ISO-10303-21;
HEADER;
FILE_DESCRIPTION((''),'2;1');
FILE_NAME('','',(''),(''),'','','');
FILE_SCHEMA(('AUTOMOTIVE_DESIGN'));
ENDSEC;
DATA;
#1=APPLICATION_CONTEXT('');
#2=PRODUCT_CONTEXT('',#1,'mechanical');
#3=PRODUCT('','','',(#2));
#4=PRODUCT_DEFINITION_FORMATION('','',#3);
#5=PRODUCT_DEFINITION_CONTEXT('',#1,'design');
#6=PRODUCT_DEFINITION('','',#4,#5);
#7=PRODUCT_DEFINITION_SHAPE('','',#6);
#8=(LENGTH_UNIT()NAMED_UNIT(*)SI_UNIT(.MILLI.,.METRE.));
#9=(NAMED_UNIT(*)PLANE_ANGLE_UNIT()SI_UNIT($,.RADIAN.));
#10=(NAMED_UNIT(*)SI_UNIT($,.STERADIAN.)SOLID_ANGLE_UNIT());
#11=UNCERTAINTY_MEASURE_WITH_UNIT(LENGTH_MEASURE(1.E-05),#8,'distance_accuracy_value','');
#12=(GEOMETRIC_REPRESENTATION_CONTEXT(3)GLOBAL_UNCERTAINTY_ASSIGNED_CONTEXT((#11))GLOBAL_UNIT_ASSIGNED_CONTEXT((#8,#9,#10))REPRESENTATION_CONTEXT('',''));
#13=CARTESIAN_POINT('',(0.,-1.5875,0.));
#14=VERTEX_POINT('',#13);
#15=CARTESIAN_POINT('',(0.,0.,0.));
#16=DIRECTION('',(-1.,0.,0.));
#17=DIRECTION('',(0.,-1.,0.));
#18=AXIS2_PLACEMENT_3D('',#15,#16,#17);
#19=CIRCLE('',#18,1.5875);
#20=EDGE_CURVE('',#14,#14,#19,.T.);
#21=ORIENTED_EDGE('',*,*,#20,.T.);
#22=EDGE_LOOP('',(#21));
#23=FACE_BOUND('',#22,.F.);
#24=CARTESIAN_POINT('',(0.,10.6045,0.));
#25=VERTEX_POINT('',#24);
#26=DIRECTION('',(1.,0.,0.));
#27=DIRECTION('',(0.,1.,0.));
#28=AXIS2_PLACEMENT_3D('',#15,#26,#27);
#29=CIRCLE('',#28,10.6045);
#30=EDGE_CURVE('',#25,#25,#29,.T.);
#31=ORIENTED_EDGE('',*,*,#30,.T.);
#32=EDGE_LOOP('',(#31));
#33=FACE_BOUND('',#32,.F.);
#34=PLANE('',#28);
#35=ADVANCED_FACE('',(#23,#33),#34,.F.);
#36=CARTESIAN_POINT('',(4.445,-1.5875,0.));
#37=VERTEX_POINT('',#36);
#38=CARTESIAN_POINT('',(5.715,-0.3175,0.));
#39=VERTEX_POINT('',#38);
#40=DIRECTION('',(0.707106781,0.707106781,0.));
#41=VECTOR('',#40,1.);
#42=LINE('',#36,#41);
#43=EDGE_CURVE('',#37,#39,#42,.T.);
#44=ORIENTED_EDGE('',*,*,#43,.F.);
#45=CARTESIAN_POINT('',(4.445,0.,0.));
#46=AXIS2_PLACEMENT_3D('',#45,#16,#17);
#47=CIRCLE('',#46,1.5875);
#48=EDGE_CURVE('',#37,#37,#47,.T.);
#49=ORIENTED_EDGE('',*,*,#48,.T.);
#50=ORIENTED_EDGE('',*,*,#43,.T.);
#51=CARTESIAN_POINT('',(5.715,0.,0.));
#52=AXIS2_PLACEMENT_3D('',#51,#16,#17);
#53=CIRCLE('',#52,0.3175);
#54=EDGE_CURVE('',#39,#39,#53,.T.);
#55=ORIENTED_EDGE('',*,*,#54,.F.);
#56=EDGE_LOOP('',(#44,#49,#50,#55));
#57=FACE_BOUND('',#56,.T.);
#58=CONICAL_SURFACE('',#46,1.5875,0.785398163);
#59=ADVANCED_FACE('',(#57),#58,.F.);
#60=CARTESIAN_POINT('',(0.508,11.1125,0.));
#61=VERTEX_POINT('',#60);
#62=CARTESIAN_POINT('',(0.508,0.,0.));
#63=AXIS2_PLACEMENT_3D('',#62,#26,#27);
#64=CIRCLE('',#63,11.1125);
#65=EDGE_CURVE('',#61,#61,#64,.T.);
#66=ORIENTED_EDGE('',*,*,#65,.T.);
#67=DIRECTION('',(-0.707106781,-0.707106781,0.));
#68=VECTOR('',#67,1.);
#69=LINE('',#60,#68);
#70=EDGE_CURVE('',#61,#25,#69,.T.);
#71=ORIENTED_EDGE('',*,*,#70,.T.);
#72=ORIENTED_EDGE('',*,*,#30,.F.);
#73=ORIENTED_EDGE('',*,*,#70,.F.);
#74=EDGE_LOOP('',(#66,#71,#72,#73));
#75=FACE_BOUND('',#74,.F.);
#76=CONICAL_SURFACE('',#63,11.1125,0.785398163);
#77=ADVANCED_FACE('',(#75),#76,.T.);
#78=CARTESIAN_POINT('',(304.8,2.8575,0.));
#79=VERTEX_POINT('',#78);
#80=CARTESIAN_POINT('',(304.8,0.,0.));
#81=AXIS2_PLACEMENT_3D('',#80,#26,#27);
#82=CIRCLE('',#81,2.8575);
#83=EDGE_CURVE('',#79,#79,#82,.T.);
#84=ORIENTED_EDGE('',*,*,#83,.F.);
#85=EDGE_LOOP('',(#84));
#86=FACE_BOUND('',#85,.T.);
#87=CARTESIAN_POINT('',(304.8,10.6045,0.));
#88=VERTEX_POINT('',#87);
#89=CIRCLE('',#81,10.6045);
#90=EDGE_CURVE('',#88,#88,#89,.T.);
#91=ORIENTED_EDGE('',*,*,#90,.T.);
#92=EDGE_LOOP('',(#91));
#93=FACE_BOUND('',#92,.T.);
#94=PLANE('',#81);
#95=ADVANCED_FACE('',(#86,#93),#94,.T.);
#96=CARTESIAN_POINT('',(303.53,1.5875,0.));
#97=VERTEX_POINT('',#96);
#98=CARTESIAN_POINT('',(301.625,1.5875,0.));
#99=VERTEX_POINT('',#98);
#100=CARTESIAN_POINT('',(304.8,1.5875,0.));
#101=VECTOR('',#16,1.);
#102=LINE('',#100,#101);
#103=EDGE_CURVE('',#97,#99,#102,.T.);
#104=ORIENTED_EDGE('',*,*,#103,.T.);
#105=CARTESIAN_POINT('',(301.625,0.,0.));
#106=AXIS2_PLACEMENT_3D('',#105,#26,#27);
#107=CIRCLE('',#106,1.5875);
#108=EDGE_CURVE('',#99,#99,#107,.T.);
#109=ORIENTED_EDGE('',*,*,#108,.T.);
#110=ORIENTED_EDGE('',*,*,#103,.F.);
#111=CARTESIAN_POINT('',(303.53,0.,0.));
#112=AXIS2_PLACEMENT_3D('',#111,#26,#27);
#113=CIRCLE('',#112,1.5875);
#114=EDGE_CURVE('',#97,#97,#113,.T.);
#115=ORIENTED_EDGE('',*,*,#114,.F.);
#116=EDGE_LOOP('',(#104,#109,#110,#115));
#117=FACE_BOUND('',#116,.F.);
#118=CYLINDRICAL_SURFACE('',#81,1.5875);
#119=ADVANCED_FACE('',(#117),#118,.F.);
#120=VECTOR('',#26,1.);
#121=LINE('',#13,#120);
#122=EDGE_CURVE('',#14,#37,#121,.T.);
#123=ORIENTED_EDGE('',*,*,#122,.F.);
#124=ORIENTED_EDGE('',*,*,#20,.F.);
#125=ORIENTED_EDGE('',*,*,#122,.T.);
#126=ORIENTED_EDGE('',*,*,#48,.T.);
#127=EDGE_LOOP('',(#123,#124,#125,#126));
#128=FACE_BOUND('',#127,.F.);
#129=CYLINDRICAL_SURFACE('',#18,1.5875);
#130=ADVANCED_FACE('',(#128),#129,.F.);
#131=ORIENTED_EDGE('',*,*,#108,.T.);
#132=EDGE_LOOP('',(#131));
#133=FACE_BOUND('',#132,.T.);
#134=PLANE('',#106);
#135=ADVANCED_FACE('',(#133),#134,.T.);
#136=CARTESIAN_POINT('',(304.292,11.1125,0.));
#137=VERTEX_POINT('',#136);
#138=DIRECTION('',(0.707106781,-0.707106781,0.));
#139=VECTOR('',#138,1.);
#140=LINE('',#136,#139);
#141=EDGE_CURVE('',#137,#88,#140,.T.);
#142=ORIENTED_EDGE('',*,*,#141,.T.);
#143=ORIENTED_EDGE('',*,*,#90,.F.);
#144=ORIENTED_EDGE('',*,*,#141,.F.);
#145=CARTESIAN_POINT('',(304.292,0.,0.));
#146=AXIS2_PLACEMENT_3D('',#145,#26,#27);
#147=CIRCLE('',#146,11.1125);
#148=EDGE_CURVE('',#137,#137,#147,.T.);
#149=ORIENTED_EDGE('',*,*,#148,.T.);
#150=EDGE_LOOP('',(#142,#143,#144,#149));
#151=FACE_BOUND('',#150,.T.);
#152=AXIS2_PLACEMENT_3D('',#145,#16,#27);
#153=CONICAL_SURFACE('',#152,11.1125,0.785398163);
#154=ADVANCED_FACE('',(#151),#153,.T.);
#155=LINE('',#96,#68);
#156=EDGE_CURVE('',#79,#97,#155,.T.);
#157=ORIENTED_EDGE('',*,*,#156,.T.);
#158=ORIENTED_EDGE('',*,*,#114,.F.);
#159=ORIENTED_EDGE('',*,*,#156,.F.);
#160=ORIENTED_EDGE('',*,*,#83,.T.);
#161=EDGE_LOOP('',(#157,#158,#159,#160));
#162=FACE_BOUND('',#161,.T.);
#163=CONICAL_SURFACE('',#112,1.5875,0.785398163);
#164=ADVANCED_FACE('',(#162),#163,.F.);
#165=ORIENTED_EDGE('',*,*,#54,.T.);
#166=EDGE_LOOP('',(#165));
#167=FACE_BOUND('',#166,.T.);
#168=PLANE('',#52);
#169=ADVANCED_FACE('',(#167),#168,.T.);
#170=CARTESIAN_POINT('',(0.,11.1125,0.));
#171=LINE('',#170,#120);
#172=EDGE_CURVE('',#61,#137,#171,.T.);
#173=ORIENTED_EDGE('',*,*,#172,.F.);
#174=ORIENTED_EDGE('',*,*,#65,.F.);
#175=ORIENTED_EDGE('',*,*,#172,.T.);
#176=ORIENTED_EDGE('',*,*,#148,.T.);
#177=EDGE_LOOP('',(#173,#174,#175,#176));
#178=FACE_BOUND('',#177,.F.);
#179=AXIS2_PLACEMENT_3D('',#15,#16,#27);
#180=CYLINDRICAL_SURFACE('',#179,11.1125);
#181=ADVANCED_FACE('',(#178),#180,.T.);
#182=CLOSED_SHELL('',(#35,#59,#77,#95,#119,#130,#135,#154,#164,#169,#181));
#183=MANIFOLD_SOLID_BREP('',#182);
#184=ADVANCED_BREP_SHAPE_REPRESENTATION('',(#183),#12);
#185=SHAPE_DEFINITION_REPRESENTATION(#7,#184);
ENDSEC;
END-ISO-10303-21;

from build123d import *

# Parameters (mm, degrees)
F0_R     = 11.1125
F1_DEPTH = 304.8
F2_R     = 1.5875
F3_DEPTH = 3.175
F4_R     = 1.5875
F5_DEPTH = 5.715
F6_SIZE  = 0.508
F7_SIZE  = 1.27


with BuildPart() as f1:
    # F0 (on Right) → F1 (new body)
    with BuildSketch(Plane.YZ):
        Circle(F0_R)
    extrude(amount=F1_DEPTH)

    # F2 (on face) → F3 (cut)
    with BuildSketch(Plane.YZ.offset(304.8)):
        Circle(F2_R)
    extrude(amount=-F3_DEPTH, mode=Mode.SUBTRACT)

    # F4 (on face) → F5 (cut)
    with BuildSketch(Plane(origin=(0, 0, 0), x_dir=(0, -1, 0), z_dir=(-1, 0, 0))):
        Circle(F4_R)
    extrude(amount=-F5_DEPTH, mode=Mode.SUBTRACT)

    # F6
    f6_edges = [f1.edges().sort_by_distance(p)[0] for p in [
        (0, -11.1125, 0),
        (304.8, -11.1125, 0),
    ]]
    chamfer(f6_edges, length=F6_SIZE)

    # F7
    f7_edges = [f1.edges().sort_by_distance(p)[0] for p in [
        (304.8, -1.5875, 0),
        (5.715, 1.5875, 0),
    ]]
    chamfer(f7_edges, length=F7_SIZE)


solid = f1.part
